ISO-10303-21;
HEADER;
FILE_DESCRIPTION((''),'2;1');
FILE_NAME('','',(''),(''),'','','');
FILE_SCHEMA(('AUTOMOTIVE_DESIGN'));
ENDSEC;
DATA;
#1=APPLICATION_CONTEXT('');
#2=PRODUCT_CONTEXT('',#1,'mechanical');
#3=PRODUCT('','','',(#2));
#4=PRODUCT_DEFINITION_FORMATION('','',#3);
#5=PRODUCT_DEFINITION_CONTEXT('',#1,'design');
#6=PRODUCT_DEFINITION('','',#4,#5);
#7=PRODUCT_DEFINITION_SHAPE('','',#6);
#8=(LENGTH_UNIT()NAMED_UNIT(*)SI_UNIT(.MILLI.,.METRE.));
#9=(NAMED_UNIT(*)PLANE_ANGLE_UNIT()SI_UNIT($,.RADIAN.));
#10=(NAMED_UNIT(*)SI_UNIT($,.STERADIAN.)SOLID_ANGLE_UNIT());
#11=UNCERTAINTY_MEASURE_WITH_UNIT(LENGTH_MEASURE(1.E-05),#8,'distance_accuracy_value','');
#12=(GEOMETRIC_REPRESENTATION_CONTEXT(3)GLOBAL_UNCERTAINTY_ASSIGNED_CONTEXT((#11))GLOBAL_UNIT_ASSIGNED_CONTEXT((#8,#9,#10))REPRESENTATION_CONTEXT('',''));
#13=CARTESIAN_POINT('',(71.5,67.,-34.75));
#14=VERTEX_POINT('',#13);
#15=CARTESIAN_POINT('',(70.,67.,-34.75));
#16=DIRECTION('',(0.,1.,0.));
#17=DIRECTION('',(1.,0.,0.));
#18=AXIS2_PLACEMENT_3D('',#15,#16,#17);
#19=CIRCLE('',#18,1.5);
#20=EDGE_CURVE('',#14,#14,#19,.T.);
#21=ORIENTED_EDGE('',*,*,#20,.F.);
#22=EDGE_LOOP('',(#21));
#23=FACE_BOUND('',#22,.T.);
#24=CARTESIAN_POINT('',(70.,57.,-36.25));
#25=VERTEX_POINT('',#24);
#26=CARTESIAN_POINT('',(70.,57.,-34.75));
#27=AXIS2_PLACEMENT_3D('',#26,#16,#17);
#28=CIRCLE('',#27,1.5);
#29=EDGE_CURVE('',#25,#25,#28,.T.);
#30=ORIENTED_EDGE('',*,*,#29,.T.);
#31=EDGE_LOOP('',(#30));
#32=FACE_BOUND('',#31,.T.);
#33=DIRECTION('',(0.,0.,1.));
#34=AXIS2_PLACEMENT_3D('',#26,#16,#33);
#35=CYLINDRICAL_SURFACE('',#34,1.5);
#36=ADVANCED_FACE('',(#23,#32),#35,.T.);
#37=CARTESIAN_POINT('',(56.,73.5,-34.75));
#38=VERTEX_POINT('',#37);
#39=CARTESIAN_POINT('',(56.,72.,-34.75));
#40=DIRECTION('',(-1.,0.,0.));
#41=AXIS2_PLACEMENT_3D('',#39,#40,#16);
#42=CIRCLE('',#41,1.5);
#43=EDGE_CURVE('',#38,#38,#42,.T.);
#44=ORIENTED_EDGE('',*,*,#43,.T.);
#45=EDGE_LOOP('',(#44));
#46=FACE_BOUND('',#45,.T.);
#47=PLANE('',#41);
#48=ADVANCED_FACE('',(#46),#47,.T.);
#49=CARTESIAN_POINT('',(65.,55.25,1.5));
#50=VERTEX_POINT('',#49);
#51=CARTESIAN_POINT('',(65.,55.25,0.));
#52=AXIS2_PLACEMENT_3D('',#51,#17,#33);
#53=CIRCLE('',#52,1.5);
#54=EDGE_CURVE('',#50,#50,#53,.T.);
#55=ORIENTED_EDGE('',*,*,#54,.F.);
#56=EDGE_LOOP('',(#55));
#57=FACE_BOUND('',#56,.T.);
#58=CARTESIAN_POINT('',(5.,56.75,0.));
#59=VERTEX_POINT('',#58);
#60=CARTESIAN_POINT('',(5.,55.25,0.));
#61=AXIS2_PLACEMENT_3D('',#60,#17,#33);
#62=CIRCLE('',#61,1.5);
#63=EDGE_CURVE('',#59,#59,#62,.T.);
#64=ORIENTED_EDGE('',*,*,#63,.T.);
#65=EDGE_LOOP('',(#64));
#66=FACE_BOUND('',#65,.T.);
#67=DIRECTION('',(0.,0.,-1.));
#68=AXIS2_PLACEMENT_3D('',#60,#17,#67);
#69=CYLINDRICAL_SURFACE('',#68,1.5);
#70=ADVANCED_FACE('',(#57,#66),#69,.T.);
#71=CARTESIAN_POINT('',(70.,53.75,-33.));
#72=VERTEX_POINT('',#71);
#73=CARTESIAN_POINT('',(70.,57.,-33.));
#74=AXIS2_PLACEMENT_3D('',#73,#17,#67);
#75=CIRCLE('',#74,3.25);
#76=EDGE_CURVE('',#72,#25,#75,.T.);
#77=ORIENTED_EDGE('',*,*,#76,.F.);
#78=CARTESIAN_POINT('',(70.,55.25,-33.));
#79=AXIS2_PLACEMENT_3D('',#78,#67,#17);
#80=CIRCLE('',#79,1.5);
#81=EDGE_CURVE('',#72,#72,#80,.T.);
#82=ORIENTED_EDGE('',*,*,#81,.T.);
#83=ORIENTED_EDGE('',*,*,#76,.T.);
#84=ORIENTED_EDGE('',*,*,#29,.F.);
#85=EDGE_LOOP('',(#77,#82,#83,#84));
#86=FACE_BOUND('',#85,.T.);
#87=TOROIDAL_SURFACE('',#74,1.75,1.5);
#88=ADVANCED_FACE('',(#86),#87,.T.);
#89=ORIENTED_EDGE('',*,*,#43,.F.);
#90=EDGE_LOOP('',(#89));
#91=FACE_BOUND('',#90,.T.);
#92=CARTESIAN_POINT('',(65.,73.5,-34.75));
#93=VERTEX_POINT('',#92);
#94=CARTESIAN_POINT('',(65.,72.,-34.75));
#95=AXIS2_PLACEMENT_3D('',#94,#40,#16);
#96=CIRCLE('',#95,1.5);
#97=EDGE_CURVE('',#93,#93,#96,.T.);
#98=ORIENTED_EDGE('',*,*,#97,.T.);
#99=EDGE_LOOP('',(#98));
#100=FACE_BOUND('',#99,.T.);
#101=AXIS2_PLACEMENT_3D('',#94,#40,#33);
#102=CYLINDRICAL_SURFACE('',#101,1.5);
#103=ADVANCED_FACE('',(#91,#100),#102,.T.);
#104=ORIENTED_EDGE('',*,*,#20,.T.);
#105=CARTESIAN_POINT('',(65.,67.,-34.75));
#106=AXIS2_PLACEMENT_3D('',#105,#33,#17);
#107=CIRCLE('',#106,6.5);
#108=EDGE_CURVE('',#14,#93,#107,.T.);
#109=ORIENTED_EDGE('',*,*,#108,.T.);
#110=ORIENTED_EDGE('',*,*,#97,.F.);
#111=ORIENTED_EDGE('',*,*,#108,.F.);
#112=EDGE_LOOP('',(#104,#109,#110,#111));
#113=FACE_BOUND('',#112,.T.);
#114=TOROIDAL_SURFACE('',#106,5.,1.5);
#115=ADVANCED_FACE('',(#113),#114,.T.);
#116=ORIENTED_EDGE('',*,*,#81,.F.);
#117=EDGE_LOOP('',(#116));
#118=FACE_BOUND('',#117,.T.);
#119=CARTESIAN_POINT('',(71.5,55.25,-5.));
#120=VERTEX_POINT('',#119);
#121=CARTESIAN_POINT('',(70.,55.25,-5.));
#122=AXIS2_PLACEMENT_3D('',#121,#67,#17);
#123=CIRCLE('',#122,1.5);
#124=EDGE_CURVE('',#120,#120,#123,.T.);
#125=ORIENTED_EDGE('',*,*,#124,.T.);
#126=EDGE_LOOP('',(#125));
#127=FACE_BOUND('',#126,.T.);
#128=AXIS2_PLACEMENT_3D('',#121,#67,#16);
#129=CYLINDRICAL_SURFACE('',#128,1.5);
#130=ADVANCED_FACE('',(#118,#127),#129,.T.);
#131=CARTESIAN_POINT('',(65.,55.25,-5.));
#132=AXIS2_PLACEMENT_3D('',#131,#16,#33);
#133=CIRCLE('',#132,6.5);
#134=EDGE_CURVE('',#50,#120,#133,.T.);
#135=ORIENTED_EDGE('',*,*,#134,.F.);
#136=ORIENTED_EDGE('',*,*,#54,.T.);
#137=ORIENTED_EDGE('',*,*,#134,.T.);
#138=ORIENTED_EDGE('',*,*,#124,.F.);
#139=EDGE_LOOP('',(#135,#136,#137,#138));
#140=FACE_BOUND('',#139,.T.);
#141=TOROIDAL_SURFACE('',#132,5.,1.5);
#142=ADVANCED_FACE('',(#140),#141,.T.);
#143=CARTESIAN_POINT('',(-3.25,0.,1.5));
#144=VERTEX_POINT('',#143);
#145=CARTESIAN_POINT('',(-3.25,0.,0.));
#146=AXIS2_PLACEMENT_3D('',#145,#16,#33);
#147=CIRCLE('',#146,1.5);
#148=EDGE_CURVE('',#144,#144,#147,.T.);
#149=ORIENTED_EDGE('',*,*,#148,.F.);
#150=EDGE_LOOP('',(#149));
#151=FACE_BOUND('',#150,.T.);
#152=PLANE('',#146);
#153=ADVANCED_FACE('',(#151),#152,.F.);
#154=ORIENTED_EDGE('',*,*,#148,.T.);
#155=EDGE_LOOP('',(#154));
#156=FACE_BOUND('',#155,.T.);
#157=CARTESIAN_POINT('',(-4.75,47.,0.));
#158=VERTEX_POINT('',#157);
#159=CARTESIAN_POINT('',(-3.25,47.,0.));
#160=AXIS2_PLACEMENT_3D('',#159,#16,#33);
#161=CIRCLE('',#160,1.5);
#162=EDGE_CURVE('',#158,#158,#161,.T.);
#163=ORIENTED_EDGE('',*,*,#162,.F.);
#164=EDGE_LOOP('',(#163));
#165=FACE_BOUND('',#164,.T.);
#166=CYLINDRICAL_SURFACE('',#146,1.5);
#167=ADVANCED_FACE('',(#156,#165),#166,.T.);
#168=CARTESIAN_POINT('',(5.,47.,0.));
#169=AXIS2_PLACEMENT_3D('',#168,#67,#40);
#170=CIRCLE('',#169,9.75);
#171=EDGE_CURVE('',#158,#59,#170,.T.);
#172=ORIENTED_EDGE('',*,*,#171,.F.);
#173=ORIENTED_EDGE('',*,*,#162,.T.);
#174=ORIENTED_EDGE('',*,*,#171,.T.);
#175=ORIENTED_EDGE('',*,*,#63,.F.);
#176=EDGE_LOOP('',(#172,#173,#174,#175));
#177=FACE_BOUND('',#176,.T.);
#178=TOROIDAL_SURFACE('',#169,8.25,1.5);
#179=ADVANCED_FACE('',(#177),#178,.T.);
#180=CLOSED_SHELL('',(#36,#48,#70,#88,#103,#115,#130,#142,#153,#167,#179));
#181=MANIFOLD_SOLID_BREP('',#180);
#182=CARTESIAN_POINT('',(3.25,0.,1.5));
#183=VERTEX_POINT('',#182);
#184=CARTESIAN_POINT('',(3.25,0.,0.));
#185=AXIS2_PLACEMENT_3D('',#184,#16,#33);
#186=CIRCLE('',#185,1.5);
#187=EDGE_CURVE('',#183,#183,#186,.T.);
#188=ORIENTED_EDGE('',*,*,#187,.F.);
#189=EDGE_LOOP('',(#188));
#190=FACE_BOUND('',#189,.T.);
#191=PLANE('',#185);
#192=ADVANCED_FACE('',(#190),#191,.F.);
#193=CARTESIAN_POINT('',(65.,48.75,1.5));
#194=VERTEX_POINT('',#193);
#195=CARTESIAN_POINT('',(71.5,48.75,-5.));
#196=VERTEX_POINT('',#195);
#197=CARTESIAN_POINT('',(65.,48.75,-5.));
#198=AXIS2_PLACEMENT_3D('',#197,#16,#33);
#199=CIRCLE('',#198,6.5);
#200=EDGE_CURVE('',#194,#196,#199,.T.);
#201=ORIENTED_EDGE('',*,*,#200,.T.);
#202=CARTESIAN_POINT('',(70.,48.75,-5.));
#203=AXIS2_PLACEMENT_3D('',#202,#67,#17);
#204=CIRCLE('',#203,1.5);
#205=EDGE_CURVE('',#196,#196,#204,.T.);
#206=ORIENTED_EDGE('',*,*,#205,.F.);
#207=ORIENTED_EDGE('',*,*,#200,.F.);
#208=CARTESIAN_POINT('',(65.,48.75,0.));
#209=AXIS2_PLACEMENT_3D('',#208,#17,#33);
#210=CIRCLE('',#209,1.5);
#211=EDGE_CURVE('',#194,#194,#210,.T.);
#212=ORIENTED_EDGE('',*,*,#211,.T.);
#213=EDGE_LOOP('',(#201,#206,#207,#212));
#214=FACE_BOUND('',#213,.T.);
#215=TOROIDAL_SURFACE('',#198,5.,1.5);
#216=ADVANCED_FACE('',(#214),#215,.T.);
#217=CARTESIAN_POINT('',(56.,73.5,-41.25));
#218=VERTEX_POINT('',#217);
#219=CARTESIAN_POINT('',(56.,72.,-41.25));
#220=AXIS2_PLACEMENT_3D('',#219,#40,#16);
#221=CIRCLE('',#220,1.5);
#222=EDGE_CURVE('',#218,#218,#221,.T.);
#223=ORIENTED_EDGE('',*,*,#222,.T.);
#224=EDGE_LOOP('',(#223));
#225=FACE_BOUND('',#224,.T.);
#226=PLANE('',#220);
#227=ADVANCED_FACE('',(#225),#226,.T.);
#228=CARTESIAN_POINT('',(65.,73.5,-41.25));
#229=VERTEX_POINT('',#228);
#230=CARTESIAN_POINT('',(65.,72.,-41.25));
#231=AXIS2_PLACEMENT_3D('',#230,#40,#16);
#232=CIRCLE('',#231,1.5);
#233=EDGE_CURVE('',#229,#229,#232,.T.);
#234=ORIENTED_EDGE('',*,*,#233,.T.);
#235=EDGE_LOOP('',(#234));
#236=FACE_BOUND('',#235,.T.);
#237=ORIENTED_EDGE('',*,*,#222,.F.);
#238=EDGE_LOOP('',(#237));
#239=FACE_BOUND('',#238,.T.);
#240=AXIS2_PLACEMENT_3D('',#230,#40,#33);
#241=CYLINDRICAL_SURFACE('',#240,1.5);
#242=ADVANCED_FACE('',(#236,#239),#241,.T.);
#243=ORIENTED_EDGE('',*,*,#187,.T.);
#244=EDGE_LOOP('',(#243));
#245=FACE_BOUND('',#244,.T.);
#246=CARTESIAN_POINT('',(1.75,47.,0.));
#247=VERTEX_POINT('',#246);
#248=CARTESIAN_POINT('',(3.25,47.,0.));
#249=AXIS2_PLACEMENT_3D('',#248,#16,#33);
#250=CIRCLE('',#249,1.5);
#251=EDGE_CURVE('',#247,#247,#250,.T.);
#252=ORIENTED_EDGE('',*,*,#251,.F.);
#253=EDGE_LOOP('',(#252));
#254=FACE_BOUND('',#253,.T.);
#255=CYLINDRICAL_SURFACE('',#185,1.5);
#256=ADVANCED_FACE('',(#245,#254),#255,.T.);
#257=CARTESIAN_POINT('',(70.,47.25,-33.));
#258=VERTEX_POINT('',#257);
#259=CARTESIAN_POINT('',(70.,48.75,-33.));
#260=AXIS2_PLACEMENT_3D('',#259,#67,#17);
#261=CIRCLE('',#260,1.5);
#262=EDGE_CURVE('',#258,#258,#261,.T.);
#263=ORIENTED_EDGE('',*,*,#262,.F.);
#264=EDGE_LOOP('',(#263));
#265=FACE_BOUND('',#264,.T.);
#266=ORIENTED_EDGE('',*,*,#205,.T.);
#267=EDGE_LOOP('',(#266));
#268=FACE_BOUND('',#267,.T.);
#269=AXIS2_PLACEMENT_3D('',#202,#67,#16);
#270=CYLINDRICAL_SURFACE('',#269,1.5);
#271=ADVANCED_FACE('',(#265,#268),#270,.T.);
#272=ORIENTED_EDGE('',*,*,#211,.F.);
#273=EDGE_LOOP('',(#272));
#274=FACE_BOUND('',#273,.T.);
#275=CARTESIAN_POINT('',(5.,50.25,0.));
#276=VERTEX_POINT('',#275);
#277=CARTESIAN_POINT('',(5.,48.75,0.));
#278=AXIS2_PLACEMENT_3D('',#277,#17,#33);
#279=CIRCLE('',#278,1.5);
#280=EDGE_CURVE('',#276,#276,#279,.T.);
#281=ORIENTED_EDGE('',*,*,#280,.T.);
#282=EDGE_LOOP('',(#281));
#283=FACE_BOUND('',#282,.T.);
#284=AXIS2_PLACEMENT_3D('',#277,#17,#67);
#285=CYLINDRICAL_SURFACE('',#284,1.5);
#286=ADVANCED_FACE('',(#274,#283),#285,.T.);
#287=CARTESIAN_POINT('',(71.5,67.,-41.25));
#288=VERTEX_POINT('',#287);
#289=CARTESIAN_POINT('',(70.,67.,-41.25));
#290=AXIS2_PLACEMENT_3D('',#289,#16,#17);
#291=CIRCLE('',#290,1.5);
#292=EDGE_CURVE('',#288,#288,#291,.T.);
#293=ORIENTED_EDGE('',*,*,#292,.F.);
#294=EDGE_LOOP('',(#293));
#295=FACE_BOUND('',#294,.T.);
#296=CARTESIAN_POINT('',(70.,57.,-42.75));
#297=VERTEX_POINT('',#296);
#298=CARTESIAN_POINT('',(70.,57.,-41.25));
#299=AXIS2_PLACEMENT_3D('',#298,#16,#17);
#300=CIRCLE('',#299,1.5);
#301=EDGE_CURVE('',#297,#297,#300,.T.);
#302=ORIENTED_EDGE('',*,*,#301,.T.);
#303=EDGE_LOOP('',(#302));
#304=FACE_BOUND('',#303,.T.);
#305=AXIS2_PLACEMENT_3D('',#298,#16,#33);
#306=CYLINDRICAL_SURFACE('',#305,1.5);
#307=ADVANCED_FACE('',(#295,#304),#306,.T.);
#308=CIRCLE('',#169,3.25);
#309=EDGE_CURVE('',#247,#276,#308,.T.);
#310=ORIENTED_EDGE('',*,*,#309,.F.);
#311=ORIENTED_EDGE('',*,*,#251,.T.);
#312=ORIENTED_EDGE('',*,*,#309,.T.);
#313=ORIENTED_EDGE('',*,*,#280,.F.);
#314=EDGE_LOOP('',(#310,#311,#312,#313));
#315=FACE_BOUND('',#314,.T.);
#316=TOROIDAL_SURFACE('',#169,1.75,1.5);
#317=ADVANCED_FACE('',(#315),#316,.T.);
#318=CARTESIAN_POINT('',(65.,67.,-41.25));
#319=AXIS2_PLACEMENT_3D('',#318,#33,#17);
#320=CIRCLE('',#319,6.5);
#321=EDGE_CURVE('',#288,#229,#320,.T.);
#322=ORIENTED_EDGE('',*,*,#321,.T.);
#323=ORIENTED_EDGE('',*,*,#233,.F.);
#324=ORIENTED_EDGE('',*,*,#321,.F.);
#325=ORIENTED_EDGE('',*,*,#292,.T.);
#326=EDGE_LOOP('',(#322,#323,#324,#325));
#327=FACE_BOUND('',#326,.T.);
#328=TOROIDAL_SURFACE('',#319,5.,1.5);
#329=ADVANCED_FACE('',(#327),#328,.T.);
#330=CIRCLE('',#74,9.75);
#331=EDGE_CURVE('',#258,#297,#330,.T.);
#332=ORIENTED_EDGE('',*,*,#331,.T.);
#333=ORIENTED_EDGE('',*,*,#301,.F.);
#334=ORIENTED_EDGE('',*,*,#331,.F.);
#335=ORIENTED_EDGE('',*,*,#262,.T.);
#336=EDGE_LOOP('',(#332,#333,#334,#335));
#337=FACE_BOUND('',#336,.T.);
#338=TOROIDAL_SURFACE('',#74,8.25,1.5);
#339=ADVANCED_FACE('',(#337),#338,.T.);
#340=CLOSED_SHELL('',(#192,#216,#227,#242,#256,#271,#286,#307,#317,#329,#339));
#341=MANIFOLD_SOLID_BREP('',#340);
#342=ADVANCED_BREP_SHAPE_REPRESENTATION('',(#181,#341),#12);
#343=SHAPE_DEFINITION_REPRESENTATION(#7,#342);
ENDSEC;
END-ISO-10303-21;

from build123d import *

# Parameters (mm, degrees)
SKETCH5_R = 1.5


with BuildPart() as part:
    # Sweep1: sweep along a curve in space
    with BuildLine() as sweep1_path:
        Line((0, 0, 0), (0, 47, 0))
        ThreePointArc((0, 47, 0), (1.464466094, 50.535533906, 0), (5, 52, 0))
        Line((5, 52, 0), (65, 52, 0))
        ThreePointArc((70, 52, -5), (68.535533906, 52, -1.464466094), (65, 52, 0))
        Line((70, 52, -5), (70, 52, -33))
        ThreePointArc((70, 52, -33), (70, 53.464466094, -36.535533906), (70, 57, -38))
        Line((70, 57, -38), (70, 67, -38))
        ThreePointArc((65, 72, -38), (68.535533906, 70.535533906, -38), (70, 67, -38))
        Line((65, 72, -38), (56, 72, -38))
    # Sketch5 → Sweep1 (sweep)
    with BuildSketch(Plane(origin=(0, 0, 0), x_dir=(1, 0, 0), z_dir=(0, 1, 0))):
        with Locations((-3.25, 0)):
            Circle(SKETCH5_R)
        with Locations((3.25, 0)):
            Circle(SKETCH5_R)
    sweep(path=sweep1_path.line)


solid = part.part
